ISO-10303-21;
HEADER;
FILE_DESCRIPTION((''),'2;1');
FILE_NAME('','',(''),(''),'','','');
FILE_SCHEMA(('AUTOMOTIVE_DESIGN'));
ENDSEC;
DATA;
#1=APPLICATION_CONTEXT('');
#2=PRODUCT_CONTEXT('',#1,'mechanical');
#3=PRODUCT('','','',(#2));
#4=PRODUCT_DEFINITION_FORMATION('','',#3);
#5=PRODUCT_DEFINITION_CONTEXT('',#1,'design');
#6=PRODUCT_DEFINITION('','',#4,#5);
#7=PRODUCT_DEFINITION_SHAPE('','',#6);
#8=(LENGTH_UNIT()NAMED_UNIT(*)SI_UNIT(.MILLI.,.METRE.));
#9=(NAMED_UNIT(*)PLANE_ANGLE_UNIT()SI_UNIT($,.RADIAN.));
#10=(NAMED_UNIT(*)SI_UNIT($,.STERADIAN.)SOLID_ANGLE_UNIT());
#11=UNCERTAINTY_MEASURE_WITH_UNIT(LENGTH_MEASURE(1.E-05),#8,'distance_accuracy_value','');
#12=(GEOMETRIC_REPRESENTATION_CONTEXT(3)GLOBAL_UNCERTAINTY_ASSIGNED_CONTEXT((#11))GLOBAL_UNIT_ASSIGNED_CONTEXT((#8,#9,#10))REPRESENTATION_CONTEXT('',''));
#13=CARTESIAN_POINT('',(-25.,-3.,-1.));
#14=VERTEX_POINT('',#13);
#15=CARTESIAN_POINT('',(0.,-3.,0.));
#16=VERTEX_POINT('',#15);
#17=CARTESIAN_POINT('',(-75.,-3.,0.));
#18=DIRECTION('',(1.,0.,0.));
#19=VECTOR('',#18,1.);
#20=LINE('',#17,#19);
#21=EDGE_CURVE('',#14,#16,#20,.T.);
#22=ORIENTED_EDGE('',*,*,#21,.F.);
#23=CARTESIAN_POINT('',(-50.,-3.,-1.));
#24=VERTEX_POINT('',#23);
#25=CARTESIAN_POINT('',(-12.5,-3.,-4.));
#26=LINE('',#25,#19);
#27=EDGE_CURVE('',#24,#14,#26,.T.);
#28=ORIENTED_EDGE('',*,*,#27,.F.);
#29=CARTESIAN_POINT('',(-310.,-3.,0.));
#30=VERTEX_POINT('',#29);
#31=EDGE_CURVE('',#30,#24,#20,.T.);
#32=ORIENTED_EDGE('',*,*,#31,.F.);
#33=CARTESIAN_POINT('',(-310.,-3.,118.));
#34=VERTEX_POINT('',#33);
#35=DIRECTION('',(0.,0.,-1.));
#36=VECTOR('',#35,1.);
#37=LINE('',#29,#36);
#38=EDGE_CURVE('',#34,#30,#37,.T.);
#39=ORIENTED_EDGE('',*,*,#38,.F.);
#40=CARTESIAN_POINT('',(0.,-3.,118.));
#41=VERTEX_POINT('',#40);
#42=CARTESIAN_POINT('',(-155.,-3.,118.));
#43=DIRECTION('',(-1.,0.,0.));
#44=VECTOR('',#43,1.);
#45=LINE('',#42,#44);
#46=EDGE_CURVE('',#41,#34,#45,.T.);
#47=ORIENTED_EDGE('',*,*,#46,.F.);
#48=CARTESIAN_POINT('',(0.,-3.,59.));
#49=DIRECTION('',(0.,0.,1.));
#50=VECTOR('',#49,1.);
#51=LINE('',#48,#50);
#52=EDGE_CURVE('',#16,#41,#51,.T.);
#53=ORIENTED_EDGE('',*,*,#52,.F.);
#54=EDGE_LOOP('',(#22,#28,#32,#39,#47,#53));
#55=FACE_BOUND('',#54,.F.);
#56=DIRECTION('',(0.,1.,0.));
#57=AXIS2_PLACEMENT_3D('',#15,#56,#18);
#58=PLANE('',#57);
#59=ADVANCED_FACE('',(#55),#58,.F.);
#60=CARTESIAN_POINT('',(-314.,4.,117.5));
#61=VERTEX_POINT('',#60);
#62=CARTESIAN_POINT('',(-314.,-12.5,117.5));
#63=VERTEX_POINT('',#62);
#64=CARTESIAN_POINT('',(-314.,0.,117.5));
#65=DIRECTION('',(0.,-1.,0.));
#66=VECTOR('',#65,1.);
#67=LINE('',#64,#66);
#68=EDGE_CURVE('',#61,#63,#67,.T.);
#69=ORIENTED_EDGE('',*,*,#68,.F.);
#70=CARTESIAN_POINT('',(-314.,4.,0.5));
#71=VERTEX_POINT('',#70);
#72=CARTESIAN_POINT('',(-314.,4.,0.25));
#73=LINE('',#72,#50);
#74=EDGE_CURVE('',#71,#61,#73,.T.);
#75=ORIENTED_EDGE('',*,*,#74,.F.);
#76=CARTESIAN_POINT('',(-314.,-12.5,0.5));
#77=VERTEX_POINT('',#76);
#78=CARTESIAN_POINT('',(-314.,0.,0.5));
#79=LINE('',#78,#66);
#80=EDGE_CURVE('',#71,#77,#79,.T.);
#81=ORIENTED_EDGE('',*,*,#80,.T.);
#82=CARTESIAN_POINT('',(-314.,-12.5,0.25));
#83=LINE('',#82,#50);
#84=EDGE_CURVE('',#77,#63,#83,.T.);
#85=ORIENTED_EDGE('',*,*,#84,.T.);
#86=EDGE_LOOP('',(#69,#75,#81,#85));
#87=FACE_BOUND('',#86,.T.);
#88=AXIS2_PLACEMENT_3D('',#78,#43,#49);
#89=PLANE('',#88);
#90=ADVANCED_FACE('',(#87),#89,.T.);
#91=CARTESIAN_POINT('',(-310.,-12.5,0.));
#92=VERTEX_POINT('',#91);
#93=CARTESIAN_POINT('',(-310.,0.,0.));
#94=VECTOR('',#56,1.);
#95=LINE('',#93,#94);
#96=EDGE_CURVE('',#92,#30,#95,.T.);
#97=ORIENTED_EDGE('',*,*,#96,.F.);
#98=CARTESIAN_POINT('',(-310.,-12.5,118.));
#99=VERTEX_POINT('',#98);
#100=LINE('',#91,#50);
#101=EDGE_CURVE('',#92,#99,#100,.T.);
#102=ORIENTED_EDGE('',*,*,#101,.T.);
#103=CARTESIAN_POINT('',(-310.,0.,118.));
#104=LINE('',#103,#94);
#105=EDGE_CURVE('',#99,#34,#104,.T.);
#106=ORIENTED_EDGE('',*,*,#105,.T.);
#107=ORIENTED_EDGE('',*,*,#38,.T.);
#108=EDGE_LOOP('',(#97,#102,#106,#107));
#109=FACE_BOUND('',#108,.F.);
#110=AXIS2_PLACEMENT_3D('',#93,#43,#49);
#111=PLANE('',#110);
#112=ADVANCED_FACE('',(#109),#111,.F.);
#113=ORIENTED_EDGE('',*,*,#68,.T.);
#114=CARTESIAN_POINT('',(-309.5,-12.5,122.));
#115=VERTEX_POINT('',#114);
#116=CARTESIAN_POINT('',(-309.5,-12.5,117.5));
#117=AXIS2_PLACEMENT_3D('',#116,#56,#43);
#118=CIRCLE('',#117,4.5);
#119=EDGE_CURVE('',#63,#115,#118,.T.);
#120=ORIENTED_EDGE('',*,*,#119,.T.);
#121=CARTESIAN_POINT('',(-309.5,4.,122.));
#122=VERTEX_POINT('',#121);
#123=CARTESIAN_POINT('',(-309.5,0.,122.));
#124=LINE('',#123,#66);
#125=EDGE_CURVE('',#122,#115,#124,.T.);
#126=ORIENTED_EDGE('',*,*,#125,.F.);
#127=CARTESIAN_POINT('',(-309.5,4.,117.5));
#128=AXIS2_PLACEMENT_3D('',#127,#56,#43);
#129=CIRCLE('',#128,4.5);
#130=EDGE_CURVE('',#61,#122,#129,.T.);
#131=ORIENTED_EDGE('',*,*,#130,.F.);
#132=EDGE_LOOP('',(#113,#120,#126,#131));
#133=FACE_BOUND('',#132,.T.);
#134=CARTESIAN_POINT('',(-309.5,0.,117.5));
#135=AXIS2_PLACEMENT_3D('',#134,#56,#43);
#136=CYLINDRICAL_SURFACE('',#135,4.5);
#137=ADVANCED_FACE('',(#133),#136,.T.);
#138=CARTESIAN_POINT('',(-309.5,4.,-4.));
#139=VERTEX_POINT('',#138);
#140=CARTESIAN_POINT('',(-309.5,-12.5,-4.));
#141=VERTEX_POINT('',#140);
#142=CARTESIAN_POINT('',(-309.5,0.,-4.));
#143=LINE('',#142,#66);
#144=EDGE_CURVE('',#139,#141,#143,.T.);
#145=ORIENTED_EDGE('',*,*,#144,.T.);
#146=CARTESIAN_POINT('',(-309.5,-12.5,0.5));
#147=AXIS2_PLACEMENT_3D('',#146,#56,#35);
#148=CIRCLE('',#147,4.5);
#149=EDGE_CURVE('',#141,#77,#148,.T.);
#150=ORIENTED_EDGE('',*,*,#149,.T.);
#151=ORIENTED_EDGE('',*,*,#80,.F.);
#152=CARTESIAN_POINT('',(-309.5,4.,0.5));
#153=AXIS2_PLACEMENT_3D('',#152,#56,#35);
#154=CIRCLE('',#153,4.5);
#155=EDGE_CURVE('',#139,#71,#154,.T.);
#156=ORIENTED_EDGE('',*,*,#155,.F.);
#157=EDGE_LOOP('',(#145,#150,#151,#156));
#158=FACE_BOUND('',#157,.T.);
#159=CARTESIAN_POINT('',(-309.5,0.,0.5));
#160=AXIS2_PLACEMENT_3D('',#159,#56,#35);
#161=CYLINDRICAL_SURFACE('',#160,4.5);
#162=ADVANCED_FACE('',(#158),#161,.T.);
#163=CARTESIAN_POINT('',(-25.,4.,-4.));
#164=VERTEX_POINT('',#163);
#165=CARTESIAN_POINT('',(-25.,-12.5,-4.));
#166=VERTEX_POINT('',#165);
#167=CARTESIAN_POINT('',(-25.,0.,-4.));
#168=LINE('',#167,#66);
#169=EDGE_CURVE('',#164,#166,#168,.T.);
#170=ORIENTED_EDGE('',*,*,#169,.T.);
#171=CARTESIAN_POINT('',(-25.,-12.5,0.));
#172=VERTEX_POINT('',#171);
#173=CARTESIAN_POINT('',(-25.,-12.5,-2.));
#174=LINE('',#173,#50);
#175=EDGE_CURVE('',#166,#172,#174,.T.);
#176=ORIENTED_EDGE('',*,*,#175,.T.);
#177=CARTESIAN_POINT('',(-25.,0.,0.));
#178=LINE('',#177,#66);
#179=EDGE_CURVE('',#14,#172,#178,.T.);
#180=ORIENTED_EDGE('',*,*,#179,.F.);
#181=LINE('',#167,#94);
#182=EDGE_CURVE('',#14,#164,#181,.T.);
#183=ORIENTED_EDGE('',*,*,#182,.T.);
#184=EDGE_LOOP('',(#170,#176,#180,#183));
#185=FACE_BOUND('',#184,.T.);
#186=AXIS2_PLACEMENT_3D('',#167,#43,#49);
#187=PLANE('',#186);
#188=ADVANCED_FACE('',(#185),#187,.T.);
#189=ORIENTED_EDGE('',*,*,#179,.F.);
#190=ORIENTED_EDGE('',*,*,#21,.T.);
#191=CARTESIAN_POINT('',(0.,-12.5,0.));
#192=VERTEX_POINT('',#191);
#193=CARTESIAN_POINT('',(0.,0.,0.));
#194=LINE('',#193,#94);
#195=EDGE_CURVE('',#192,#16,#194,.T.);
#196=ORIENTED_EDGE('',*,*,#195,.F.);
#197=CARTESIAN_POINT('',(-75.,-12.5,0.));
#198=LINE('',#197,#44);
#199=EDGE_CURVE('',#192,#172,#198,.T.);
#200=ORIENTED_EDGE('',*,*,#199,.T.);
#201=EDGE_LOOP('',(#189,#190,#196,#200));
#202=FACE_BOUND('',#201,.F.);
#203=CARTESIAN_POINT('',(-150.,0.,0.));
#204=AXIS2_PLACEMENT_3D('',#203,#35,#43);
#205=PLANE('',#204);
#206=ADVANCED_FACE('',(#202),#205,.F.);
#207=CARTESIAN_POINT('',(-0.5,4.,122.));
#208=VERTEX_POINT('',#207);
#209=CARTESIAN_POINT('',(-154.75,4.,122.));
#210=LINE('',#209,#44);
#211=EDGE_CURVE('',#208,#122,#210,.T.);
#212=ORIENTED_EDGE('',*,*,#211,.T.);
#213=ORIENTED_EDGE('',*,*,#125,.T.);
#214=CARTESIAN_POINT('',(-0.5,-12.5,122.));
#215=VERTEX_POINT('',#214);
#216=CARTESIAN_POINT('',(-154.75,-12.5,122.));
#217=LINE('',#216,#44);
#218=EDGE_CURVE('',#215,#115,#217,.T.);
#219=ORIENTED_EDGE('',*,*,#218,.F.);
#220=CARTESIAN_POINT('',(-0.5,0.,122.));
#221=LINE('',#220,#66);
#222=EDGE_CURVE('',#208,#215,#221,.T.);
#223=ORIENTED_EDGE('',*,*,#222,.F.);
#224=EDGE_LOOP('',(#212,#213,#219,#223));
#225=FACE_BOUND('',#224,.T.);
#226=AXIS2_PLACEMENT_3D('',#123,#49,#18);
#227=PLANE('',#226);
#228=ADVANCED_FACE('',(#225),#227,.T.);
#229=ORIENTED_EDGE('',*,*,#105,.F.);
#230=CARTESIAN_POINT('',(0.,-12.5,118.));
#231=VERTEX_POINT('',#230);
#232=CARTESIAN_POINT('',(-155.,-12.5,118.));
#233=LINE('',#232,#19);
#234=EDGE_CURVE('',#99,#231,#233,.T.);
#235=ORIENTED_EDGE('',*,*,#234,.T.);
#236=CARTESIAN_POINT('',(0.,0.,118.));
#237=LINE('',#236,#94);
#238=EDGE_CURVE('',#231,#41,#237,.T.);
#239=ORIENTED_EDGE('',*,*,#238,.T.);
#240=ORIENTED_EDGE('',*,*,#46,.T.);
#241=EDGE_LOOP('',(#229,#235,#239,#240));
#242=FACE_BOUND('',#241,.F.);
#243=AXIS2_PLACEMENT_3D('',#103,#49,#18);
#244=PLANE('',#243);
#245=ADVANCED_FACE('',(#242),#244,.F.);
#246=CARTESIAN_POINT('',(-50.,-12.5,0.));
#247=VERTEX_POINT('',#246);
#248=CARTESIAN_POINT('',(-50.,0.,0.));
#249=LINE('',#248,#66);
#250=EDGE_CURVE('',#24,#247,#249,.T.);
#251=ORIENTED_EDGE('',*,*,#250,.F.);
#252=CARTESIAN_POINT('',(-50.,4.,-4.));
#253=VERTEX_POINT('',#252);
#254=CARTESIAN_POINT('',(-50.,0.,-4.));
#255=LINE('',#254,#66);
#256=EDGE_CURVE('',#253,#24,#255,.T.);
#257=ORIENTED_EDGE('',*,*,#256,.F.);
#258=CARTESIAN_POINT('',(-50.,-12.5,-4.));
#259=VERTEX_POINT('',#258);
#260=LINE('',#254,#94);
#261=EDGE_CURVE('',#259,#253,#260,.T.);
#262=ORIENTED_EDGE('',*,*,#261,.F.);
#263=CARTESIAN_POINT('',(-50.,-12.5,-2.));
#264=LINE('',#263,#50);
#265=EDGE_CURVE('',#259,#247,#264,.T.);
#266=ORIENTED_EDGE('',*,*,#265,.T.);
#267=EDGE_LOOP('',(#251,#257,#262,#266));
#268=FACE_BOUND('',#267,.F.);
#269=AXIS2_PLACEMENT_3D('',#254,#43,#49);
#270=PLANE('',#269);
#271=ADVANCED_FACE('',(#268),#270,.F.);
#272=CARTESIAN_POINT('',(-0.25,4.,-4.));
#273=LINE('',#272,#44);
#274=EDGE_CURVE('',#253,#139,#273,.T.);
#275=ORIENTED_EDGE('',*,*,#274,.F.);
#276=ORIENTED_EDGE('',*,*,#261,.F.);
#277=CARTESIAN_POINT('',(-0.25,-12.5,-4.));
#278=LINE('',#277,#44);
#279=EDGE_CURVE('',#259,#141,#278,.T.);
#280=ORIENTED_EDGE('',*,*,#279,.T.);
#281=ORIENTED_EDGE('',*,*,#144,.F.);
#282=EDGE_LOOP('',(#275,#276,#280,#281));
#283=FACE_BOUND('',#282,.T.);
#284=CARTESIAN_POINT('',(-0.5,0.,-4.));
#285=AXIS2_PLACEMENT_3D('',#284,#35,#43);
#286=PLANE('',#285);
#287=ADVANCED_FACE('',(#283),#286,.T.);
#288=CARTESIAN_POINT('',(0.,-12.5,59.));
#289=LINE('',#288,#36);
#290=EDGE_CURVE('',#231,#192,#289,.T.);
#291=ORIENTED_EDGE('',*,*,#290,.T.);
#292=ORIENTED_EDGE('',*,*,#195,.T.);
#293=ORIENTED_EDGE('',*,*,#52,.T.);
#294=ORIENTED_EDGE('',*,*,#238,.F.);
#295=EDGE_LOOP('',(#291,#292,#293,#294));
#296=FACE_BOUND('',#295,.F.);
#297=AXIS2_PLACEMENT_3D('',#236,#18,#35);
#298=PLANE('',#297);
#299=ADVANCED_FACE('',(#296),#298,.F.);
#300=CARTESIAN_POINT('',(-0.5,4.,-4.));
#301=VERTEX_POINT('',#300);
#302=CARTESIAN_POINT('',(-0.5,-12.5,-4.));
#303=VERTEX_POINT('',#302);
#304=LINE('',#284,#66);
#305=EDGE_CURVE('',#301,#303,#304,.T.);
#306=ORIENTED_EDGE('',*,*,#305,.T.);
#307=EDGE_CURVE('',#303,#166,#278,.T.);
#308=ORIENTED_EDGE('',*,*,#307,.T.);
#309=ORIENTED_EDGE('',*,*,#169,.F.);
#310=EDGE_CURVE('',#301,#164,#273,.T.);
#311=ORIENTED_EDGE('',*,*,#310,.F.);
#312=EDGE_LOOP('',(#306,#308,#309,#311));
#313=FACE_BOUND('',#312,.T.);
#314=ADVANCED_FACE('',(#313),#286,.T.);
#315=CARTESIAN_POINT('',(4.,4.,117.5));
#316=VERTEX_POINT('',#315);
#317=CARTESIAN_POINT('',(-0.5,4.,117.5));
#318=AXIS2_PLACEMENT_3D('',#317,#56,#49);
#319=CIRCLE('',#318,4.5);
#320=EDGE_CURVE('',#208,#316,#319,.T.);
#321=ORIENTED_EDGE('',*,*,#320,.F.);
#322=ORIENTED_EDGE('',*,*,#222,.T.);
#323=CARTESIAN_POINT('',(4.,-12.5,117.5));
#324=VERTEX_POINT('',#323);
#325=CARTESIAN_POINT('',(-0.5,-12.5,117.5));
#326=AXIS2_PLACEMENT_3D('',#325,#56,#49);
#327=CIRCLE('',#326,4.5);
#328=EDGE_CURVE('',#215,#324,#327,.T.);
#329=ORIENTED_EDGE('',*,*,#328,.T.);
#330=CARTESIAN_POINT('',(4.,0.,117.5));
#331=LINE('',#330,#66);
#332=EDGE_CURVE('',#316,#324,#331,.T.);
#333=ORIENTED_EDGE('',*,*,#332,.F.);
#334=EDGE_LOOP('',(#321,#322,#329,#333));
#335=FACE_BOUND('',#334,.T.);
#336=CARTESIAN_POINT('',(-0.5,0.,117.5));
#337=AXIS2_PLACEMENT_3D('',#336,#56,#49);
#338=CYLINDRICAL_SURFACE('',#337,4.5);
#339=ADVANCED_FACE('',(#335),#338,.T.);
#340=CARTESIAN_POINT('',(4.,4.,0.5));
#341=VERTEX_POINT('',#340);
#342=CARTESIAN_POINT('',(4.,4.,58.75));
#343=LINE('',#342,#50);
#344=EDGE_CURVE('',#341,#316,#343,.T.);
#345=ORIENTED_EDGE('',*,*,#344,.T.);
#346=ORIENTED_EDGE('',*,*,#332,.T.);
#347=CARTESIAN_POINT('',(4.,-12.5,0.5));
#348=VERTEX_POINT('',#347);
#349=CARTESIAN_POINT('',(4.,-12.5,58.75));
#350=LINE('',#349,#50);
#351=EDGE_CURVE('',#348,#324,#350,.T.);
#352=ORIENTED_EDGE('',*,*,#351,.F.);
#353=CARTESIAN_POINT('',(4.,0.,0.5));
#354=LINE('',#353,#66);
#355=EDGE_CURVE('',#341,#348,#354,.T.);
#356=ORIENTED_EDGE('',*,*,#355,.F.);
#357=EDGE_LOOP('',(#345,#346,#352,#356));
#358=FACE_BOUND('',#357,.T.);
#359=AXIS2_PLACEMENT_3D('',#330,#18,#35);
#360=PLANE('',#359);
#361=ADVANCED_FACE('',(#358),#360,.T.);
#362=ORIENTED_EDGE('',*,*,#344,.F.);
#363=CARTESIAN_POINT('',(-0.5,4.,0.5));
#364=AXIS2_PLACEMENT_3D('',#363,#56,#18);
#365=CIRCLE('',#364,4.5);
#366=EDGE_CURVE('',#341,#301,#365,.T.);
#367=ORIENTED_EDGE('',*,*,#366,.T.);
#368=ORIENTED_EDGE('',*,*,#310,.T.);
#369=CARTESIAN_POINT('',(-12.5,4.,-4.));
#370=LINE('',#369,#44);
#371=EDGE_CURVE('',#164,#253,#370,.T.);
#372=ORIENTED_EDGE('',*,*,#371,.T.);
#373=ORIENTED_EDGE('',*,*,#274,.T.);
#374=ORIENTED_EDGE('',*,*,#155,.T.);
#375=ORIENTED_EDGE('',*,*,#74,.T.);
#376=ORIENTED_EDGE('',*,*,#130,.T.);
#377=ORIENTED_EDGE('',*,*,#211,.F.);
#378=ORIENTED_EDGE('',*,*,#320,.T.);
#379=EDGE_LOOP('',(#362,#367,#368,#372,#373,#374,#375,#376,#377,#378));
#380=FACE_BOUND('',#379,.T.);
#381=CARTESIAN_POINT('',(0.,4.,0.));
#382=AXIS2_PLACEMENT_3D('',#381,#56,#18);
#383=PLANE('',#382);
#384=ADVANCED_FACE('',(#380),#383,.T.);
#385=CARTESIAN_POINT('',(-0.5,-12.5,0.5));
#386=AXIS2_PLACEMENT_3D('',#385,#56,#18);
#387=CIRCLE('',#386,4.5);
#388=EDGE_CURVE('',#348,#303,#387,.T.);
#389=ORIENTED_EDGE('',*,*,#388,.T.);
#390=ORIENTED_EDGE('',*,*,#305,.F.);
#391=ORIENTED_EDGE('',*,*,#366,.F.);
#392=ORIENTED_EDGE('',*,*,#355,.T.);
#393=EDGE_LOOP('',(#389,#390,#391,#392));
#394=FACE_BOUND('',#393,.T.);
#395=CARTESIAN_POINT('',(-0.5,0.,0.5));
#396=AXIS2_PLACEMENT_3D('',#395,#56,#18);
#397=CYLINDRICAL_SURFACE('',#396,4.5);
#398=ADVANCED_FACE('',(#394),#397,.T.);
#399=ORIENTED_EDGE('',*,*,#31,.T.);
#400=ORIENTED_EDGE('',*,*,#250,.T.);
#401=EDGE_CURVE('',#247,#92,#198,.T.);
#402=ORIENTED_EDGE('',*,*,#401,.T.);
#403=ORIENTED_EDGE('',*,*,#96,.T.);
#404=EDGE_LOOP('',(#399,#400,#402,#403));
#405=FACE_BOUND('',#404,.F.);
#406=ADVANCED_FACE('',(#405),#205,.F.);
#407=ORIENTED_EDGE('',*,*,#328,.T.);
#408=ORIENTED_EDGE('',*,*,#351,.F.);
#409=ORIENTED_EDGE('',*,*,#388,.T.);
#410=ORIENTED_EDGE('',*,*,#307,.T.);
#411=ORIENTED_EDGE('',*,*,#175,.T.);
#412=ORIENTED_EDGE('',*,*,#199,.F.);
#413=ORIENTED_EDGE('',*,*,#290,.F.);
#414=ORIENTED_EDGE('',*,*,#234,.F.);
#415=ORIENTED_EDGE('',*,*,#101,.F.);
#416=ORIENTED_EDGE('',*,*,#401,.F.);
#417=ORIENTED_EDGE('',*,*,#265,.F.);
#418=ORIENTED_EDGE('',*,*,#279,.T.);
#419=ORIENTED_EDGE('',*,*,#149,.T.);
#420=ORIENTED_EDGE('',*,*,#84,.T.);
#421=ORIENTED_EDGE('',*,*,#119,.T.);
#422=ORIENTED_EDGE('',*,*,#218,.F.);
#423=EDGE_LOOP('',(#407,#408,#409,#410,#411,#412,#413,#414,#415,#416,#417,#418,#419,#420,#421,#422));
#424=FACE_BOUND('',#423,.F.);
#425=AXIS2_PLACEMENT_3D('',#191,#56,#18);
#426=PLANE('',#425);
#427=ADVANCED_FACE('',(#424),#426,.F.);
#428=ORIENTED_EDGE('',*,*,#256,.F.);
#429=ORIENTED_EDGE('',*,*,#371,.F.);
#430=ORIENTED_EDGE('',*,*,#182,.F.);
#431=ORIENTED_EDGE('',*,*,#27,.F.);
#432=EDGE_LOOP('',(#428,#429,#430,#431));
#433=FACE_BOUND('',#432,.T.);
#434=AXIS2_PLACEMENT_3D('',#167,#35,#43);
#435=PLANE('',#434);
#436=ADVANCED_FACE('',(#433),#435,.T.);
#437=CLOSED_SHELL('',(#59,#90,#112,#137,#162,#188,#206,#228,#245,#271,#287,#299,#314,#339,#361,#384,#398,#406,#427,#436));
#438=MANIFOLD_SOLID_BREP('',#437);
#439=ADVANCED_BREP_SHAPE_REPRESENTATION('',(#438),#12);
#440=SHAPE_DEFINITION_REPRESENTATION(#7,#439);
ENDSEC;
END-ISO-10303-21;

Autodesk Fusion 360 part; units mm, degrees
sketch "Szkic1" plane through (0, 0, 0) normal (0, 0, 1) x (1, 0, 0)
sketch "Szkic2" plane through (0, 0, 0) normal (0, 1, 0) x (1, 0, 0)
  line L0 (-150, 0) -> (-119, 0)
  line L1 (0, 0) -> (-310, 0)
  line L2 (-310, 0) -> (-310, -118)
  line L3 (-310, -118) -> (0, -118)
  line L4 (0, -118) -> (0, 0)
  line L5 (4, -117.5) -> (4, -0.5)
  line L6 (-0.5, 4) -> (-309.5, 4)
  line L7 (-314, -0.5) -> (-314, -117.5)
  line L8 (-309.5, -122) -> (-0.5, -122)
  arc A0 (4, -0.5) -> (-0.5, 4) centre (-0.5, -0.5) ccw
  arc A1 (-0.5, -122) -> (4, -117.5) centre (-0.5, -117.5) ccw
  arc A2 (-314, -117.5) -> (-309.5, -122) centre (-309.5, -117.5) ccw
  arc A3 (-309.5, 4) -> (-314, -0.5) centre (-309.5, -0.5) ccw
  dimension "d1" = 31
  dimension "d2" = 118
  dimension "d3" = 4.5
sketch "Szkic3" plane through (0, 0, 0) normal (0, 1, 0) x (1, 0, 0)
sketch "Szkic4" plane through (0, 0, 0) normal (0, 1, 0) x (1, 0, 0)
  line L0 (-0.5, 4) -> (-309.5, 4)
  line L1 (0, 0) -> (-310, 0)
  line L2 (-25, 4) -> (-25, 0)
  line L3 (-50, 4) -> (-50, 0)
extrude "Wyciągnięcie proste1" add sketch "Szkic2" against normal blind 12.5
sketch "Szkic5" plane through (0, 0, 0) normal (0, 1, 0) x (1, 0, 0)
  line L0 (0, 0) -> (-310, 0)
  line L1 (-310, 0) -> (-310, -120)
  line L2 (-310, -120) -> (0, -120)
  line L3 (0, -120) -> (0, 0)
sketch "Szkic6" plane through (0, 0, 0) normal (0, 1, 0) x (1, 0, 0)
extrude "Wyciągnięcie proste2" add sketch "Szkic5" against normal blind 3
extrude "Wyciągnięcie proste3" cut sketch "Szkic4" against normal blind 13
move_face "Odsuń powierzchnie1" offset 4 2 faces at (-120, 0, 81.3333) (-33.3333, -1, 0)
